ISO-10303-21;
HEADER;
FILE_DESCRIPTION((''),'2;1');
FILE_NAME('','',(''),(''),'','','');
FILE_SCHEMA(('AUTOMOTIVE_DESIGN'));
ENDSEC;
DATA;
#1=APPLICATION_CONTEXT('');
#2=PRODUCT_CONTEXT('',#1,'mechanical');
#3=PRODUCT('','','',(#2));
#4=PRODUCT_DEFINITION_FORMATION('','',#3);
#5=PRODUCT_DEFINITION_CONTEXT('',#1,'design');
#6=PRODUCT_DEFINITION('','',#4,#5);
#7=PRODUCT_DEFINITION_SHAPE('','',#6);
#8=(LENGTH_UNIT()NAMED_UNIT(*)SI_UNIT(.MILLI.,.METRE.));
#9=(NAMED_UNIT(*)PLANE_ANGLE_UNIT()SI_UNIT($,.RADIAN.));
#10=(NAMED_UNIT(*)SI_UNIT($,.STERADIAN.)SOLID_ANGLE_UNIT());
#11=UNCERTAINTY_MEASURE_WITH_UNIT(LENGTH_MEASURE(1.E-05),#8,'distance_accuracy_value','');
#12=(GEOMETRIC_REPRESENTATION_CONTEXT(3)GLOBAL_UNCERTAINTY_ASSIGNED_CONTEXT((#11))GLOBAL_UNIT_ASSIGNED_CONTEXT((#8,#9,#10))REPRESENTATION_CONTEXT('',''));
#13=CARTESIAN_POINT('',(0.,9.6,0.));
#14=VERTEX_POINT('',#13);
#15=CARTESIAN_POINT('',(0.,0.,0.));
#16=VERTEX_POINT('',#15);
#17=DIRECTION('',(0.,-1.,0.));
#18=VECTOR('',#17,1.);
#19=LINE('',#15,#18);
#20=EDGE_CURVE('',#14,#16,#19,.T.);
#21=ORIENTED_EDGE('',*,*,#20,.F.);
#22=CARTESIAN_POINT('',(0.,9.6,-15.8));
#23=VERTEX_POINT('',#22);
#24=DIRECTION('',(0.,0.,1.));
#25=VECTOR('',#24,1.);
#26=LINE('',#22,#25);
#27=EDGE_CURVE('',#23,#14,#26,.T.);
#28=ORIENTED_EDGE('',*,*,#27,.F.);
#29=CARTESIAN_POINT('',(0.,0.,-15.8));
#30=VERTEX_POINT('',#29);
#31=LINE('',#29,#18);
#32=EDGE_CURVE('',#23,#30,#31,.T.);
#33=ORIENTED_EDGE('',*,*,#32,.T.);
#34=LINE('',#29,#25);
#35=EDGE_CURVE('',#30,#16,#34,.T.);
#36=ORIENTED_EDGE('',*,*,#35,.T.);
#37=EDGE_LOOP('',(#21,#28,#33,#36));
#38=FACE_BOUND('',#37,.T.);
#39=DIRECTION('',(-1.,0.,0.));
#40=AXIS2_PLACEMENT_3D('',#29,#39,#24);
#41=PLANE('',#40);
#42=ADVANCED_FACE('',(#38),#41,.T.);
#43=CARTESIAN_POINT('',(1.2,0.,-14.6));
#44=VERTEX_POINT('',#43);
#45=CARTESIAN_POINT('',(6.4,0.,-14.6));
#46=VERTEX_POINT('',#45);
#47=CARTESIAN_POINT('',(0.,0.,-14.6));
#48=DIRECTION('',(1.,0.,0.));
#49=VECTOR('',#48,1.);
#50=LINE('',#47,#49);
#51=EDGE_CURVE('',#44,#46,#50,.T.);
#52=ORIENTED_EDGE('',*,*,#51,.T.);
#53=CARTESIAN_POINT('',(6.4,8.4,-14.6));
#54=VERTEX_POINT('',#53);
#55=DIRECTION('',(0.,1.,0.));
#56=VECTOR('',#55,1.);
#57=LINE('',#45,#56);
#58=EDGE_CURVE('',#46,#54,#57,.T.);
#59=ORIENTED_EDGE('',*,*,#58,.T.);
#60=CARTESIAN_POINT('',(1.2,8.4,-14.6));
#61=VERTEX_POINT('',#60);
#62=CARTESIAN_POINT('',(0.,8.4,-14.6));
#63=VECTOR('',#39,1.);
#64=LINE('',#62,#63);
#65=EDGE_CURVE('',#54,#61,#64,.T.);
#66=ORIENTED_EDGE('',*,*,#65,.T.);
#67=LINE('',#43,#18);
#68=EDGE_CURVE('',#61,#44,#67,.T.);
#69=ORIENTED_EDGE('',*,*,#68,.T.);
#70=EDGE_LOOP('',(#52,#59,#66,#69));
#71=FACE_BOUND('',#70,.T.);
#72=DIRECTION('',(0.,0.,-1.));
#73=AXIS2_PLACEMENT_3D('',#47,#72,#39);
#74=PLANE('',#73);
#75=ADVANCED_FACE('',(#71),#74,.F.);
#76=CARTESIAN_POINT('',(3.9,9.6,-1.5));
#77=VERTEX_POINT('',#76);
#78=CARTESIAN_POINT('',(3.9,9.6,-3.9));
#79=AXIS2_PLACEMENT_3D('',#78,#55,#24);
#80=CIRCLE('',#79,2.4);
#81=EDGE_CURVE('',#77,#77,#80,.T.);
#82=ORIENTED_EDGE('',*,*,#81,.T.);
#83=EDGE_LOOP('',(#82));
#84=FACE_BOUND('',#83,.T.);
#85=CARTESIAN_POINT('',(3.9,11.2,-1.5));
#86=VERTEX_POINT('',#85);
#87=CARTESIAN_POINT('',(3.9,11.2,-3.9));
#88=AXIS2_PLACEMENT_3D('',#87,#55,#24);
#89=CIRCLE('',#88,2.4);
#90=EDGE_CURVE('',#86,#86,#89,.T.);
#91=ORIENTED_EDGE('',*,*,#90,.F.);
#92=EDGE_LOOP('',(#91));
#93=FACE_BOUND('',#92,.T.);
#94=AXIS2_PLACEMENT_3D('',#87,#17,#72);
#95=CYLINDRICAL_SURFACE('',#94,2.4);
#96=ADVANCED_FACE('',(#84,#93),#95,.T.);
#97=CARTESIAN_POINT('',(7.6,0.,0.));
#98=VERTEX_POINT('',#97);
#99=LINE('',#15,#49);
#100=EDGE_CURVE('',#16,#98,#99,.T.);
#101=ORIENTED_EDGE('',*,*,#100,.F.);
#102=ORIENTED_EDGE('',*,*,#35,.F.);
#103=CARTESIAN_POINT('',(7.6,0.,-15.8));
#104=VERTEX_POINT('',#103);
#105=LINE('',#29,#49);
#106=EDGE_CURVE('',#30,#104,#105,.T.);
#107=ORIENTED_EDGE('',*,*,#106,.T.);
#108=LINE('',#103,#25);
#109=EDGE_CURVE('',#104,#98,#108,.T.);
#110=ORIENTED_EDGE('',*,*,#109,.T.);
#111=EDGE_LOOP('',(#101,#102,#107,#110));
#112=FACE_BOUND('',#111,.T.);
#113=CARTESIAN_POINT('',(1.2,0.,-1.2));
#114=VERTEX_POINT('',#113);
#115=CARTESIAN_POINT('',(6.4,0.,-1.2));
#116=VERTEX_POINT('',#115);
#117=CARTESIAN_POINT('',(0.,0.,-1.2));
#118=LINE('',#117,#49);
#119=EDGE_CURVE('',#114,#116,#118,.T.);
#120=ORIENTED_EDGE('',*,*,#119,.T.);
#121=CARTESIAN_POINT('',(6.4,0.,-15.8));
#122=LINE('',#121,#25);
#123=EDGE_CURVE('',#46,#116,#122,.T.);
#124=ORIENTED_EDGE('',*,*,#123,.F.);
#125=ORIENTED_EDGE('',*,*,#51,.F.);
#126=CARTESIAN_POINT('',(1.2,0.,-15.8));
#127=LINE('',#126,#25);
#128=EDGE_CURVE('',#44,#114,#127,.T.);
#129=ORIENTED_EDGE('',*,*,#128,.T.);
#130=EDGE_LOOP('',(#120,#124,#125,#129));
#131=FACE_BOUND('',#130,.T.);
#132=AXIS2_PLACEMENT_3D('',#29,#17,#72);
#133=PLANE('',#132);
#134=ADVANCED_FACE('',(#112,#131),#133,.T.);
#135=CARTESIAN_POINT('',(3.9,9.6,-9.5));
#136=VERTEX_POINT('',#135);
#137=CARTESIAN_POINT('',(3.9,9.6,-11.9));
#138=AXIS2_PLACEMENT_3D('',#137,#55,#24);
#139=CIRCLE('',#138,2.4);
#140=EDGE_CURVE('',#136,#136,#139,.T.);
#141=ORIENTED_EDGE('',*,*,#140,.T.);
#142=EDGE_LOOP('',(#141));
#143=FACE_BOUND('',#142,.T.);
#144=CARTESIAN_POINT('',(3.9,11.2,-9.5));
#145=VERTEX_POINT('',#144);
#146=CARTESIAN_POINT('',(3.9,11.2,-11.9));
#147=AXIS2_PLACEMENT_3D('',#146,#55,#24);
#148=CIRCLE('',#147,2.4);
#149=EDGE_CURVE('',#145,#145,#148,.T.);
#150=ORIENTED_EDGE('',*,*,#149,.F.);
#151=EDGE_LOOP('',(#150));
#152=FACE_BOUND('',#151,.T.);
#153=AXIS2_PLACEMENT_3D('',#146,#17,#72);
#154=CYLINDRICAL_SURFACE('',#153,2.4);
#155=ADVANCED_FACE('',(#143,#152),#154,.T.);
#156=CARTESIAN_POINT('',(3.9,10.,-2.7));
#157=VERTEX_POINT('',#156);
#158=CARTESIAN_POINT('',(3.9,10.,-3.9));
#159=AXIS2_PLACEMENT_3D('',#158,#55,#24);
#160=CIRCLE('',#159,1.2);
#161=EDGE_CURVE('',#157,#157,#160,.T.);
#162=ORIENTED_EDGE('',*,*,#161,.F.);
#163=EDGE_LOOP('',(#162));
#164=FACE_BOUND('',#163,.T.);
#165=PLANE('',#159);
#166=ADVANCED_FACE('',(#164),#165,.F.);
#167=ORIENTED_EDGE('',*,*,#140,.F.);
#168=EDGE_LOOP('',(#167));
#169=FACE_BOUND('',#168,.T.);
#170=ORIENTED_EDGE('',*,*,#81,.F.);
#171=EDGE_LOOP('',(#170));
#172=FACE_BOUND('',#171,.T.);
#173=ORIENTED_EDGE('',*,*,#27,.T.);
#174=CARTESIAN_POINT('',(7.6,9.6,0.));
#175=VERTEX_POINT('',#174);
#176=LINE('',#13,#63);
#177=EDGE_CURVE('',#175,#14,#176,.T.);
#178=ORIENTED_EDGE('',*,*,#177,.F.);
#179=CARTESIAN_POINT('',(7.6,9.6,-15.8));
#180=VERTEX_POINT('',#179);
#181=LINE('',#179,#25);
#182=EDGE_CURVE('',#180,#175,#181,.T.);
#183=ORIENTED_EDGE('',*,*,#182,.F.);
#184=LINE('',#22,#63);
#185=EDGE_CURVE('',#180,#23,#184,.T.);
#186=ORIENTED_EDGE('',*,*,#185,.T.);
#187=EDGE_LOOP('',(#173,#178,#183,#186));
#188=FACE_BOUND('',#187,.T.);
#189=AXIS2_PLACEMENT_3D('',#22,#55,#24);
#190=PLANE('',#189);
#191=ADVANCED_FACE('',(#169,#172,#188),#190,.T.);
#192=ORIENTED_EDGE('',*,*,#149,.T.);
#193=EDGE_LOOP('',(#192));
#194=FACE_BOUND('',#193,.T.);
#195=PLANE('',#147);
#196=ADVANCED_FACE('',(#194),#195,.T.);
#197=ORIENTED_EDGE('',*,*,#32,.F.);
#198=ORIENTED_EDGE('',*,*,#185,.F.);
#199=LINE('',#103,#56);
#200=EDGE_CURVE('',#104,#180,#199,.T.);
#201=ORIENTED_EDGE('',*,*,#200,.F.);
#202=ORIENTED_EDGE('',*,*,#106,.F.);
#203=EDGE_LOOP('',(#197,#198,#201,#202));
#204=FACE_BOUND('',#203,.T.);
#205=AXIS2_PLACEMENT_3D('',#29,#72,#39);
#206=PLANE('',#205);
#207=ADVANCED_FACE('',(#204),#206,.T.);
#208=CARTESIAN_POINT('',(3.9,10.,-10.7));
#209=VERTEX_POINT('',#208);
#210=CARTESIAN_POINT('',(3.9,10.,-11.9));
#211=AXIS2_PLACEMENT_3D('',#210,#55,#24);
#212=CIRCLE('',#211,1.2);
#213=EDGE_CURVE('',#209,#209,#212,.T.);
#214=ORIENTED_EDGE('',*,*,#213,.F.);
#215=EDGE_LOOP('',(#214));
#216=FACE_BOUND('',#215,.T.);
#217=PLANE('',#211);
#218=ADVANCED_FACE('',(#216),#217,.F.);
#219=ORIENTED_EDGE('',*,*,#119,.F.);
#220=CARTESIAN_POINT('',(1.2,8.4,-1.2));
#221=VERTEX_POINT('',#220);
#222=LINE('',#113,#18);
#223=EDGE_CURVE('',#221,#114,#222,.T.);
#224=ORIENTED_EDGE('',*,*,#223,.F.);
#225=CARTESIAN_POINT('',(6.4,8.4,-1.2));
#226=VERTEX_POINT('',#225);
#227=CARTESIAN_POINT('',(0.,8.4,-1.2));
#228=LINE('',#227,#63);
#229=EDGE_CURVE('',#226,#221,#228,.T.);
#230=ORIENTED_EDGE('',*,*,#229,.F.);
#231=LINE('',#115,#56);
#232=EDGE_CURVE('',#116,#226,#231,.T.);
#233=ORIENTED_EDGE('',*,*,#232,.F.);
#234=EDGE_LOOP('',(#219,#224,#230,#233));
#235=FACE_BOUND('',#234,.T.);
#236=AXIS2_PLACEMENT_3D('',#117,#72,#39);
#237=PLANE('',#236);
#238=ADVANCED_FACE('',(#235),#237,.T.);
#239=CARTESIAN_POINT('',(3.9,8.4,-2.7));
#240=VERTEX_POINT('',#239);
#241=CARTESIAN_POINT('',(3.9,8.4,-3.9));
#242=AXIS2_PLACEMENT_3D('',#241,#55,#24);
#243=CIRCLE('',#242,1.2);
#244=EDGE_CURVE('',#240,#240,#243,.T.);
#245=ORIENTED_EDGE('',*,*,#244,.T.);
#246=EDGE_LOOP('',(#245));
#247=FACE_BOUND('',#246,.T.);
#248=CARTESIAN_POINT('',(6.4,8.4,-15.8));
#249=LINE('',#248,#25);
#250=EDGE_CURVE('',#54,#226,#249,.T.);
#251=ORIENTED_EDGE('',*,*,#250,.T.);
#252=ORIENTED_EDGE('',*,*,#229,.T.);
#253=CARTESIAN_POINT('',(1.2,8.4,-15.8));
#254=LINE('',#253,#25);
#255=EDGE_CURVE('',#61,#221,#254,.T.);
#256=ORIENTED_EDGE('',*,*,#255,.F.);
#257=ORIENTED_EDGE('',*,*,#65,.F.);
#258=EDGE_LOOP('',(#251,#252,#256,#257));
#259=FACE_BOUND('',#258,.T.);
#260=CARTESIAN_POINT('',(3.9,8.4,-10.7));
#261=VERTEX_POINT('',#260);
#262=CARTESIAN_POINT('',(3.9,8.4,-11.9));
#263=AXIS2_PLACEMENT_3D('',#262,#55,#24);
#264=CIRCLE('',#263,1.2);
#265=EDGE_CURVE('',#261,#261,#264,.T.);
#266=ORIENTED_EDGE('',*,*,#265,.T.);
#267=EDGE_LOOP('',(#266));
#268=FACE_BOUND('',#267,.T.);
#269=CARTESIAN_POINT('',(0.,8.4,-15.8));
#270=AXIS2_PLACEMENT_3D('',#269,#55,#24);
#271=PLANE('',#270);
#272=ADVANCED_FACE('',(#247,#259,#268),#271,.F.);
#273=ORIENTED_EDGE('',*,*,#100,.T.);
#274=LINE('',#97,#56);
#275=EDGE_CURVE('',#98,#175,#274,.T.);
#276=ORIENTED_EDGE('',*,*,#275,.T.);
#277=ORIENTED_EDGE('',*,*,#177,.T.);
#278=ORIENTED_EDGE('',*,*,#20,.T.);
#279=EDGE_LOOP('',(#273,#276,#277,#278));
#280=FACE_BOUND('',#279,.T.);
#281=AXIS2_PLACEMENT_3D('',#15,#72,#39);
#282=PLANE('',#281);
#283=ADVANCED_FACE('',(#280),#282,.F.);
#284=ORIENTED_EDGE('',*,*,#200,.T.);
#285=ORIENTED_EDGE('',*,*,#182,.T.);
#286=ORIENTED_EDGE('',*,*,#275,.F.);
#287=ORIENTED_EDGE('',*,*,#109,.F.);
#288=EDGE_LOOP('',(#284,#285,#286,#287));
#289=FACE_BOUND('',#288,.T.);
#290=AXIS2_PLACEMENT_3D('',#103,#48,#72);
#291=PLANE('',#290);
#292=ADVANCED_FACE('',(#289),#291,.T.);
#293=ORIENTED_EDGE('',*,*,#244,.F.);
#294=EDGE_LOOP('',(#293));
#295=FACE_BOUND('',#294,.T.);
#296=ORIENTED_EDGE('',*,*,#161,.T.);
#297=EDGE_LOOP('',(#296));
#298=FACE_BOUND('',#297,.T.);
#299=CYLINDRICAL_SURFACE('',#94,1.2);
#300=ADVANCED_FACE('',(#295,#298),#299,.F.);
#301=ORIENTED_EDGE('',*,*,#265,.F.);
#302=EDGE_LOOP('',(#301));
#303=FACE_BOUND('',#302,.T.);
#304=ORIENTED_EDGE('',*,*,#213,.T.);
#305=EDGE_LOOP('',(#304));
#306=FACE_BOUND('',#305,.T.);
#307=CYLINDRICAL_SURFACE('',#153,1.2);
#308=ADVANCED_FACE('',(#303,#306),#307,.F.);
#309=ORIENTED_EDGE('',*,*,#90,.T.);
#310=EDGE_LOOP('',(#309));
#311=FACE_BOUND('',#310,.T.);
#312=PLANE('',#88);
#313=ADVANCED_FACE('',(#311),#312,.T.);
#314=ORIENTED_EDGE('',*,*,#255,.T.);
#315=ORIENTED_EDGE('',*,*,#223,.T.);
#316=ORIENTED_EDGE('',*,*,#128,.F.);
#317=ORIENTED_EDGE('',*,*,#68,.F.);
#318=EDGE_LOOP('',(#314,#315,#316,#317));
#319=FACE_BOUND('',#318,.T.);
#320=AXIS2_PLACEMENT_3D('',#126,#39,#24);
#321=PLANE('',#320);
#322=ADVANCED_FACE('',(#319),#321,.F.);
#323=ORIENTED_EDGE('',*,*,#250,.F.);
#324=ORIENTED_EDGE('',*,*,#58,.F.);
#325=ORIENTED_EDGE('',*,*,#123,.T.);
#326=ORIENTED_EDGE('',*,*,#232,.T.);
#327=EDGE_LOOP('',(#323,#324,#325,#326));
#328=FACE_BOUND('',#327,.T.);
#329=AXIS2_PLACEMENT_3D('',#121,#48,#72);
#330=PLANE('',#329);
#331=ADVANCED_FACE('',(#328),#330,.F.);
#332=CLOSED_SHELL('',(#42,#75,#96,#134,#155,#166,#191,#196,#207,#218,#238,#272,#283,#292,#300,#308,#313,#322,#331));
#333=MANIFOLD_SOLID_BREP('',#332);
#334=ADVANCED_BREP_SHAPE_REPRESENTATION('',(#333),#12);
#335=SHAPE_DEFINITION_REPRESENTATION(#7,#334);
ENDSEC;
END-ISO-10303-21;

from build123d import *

# Parameters (mm, degrees)
SKETCH1_W            = 7.6
SKETCH1_H            = 9.6
BOSS_EXTRUDE1_DEPTH  = 15.8
SKETCH2_R            = 2.4
BOSS_EXTRUDE2_DEPTH  = 1.6
LPATTERN1_COUNT      = 2
LPATTERN1_PITCH      = 8
LPATTERN1_COUNT_DIR2 = 4
LPATTERN1_PITCH_DIR2 = 8
SHELL1_T             = -1.2


with BuildPart() as part:
    # Sketch1 → Boss-Extrude1 (new body)
    with BuildSketch(Plane.XY):
        with Locations((3.8, 4.8)):
            Rectangle(SKETCH1_W, SKETCH1_H)
    extrude(amount=-BOSS_EXTRUDE1_DEPTH)

    # Sketch2 → Boss-Extrude2 (add)
    with BuildSketch(Plane(origin=(0, 9.6, 0), x_dir=(1, 0, 0), z_dir=(0, 1, 0))):
        with Locations(Location((3.9, 3.9, 0), (0, 0, 270))):
            Circle(SKETCH2_R)
    boss_extrude2 = extrude(amount=BOSS_EXTRUDE2_DEPTH)

    # LPattern1: Boss-Extrude2 2 × 4, 6 skipped
    with Locations(*[(-j * LPATTERN1_PITCH_DIR2, 0, -i * LPATTERN1_PITCH) for i in range(LPATTERN1_COUNT) for j in range(LPATTERN1_COUNT_DIR2) if (i, j) not in ((0, 0), (0, 1), (0, 2), (0, 3), (1, 1), (1, 2), (1, 3))]):
        add(boss_extrude2)

    # Shell1
    shell1_openings = [part.faces().sort_by_distance(p)[0] for p in [
        (3.8, 0, -7.9),
    ]]
    offset(amount=SHELL1_T, openings=shell1_openings, kind=Kind.INTERSECTION)


solid = part.part
